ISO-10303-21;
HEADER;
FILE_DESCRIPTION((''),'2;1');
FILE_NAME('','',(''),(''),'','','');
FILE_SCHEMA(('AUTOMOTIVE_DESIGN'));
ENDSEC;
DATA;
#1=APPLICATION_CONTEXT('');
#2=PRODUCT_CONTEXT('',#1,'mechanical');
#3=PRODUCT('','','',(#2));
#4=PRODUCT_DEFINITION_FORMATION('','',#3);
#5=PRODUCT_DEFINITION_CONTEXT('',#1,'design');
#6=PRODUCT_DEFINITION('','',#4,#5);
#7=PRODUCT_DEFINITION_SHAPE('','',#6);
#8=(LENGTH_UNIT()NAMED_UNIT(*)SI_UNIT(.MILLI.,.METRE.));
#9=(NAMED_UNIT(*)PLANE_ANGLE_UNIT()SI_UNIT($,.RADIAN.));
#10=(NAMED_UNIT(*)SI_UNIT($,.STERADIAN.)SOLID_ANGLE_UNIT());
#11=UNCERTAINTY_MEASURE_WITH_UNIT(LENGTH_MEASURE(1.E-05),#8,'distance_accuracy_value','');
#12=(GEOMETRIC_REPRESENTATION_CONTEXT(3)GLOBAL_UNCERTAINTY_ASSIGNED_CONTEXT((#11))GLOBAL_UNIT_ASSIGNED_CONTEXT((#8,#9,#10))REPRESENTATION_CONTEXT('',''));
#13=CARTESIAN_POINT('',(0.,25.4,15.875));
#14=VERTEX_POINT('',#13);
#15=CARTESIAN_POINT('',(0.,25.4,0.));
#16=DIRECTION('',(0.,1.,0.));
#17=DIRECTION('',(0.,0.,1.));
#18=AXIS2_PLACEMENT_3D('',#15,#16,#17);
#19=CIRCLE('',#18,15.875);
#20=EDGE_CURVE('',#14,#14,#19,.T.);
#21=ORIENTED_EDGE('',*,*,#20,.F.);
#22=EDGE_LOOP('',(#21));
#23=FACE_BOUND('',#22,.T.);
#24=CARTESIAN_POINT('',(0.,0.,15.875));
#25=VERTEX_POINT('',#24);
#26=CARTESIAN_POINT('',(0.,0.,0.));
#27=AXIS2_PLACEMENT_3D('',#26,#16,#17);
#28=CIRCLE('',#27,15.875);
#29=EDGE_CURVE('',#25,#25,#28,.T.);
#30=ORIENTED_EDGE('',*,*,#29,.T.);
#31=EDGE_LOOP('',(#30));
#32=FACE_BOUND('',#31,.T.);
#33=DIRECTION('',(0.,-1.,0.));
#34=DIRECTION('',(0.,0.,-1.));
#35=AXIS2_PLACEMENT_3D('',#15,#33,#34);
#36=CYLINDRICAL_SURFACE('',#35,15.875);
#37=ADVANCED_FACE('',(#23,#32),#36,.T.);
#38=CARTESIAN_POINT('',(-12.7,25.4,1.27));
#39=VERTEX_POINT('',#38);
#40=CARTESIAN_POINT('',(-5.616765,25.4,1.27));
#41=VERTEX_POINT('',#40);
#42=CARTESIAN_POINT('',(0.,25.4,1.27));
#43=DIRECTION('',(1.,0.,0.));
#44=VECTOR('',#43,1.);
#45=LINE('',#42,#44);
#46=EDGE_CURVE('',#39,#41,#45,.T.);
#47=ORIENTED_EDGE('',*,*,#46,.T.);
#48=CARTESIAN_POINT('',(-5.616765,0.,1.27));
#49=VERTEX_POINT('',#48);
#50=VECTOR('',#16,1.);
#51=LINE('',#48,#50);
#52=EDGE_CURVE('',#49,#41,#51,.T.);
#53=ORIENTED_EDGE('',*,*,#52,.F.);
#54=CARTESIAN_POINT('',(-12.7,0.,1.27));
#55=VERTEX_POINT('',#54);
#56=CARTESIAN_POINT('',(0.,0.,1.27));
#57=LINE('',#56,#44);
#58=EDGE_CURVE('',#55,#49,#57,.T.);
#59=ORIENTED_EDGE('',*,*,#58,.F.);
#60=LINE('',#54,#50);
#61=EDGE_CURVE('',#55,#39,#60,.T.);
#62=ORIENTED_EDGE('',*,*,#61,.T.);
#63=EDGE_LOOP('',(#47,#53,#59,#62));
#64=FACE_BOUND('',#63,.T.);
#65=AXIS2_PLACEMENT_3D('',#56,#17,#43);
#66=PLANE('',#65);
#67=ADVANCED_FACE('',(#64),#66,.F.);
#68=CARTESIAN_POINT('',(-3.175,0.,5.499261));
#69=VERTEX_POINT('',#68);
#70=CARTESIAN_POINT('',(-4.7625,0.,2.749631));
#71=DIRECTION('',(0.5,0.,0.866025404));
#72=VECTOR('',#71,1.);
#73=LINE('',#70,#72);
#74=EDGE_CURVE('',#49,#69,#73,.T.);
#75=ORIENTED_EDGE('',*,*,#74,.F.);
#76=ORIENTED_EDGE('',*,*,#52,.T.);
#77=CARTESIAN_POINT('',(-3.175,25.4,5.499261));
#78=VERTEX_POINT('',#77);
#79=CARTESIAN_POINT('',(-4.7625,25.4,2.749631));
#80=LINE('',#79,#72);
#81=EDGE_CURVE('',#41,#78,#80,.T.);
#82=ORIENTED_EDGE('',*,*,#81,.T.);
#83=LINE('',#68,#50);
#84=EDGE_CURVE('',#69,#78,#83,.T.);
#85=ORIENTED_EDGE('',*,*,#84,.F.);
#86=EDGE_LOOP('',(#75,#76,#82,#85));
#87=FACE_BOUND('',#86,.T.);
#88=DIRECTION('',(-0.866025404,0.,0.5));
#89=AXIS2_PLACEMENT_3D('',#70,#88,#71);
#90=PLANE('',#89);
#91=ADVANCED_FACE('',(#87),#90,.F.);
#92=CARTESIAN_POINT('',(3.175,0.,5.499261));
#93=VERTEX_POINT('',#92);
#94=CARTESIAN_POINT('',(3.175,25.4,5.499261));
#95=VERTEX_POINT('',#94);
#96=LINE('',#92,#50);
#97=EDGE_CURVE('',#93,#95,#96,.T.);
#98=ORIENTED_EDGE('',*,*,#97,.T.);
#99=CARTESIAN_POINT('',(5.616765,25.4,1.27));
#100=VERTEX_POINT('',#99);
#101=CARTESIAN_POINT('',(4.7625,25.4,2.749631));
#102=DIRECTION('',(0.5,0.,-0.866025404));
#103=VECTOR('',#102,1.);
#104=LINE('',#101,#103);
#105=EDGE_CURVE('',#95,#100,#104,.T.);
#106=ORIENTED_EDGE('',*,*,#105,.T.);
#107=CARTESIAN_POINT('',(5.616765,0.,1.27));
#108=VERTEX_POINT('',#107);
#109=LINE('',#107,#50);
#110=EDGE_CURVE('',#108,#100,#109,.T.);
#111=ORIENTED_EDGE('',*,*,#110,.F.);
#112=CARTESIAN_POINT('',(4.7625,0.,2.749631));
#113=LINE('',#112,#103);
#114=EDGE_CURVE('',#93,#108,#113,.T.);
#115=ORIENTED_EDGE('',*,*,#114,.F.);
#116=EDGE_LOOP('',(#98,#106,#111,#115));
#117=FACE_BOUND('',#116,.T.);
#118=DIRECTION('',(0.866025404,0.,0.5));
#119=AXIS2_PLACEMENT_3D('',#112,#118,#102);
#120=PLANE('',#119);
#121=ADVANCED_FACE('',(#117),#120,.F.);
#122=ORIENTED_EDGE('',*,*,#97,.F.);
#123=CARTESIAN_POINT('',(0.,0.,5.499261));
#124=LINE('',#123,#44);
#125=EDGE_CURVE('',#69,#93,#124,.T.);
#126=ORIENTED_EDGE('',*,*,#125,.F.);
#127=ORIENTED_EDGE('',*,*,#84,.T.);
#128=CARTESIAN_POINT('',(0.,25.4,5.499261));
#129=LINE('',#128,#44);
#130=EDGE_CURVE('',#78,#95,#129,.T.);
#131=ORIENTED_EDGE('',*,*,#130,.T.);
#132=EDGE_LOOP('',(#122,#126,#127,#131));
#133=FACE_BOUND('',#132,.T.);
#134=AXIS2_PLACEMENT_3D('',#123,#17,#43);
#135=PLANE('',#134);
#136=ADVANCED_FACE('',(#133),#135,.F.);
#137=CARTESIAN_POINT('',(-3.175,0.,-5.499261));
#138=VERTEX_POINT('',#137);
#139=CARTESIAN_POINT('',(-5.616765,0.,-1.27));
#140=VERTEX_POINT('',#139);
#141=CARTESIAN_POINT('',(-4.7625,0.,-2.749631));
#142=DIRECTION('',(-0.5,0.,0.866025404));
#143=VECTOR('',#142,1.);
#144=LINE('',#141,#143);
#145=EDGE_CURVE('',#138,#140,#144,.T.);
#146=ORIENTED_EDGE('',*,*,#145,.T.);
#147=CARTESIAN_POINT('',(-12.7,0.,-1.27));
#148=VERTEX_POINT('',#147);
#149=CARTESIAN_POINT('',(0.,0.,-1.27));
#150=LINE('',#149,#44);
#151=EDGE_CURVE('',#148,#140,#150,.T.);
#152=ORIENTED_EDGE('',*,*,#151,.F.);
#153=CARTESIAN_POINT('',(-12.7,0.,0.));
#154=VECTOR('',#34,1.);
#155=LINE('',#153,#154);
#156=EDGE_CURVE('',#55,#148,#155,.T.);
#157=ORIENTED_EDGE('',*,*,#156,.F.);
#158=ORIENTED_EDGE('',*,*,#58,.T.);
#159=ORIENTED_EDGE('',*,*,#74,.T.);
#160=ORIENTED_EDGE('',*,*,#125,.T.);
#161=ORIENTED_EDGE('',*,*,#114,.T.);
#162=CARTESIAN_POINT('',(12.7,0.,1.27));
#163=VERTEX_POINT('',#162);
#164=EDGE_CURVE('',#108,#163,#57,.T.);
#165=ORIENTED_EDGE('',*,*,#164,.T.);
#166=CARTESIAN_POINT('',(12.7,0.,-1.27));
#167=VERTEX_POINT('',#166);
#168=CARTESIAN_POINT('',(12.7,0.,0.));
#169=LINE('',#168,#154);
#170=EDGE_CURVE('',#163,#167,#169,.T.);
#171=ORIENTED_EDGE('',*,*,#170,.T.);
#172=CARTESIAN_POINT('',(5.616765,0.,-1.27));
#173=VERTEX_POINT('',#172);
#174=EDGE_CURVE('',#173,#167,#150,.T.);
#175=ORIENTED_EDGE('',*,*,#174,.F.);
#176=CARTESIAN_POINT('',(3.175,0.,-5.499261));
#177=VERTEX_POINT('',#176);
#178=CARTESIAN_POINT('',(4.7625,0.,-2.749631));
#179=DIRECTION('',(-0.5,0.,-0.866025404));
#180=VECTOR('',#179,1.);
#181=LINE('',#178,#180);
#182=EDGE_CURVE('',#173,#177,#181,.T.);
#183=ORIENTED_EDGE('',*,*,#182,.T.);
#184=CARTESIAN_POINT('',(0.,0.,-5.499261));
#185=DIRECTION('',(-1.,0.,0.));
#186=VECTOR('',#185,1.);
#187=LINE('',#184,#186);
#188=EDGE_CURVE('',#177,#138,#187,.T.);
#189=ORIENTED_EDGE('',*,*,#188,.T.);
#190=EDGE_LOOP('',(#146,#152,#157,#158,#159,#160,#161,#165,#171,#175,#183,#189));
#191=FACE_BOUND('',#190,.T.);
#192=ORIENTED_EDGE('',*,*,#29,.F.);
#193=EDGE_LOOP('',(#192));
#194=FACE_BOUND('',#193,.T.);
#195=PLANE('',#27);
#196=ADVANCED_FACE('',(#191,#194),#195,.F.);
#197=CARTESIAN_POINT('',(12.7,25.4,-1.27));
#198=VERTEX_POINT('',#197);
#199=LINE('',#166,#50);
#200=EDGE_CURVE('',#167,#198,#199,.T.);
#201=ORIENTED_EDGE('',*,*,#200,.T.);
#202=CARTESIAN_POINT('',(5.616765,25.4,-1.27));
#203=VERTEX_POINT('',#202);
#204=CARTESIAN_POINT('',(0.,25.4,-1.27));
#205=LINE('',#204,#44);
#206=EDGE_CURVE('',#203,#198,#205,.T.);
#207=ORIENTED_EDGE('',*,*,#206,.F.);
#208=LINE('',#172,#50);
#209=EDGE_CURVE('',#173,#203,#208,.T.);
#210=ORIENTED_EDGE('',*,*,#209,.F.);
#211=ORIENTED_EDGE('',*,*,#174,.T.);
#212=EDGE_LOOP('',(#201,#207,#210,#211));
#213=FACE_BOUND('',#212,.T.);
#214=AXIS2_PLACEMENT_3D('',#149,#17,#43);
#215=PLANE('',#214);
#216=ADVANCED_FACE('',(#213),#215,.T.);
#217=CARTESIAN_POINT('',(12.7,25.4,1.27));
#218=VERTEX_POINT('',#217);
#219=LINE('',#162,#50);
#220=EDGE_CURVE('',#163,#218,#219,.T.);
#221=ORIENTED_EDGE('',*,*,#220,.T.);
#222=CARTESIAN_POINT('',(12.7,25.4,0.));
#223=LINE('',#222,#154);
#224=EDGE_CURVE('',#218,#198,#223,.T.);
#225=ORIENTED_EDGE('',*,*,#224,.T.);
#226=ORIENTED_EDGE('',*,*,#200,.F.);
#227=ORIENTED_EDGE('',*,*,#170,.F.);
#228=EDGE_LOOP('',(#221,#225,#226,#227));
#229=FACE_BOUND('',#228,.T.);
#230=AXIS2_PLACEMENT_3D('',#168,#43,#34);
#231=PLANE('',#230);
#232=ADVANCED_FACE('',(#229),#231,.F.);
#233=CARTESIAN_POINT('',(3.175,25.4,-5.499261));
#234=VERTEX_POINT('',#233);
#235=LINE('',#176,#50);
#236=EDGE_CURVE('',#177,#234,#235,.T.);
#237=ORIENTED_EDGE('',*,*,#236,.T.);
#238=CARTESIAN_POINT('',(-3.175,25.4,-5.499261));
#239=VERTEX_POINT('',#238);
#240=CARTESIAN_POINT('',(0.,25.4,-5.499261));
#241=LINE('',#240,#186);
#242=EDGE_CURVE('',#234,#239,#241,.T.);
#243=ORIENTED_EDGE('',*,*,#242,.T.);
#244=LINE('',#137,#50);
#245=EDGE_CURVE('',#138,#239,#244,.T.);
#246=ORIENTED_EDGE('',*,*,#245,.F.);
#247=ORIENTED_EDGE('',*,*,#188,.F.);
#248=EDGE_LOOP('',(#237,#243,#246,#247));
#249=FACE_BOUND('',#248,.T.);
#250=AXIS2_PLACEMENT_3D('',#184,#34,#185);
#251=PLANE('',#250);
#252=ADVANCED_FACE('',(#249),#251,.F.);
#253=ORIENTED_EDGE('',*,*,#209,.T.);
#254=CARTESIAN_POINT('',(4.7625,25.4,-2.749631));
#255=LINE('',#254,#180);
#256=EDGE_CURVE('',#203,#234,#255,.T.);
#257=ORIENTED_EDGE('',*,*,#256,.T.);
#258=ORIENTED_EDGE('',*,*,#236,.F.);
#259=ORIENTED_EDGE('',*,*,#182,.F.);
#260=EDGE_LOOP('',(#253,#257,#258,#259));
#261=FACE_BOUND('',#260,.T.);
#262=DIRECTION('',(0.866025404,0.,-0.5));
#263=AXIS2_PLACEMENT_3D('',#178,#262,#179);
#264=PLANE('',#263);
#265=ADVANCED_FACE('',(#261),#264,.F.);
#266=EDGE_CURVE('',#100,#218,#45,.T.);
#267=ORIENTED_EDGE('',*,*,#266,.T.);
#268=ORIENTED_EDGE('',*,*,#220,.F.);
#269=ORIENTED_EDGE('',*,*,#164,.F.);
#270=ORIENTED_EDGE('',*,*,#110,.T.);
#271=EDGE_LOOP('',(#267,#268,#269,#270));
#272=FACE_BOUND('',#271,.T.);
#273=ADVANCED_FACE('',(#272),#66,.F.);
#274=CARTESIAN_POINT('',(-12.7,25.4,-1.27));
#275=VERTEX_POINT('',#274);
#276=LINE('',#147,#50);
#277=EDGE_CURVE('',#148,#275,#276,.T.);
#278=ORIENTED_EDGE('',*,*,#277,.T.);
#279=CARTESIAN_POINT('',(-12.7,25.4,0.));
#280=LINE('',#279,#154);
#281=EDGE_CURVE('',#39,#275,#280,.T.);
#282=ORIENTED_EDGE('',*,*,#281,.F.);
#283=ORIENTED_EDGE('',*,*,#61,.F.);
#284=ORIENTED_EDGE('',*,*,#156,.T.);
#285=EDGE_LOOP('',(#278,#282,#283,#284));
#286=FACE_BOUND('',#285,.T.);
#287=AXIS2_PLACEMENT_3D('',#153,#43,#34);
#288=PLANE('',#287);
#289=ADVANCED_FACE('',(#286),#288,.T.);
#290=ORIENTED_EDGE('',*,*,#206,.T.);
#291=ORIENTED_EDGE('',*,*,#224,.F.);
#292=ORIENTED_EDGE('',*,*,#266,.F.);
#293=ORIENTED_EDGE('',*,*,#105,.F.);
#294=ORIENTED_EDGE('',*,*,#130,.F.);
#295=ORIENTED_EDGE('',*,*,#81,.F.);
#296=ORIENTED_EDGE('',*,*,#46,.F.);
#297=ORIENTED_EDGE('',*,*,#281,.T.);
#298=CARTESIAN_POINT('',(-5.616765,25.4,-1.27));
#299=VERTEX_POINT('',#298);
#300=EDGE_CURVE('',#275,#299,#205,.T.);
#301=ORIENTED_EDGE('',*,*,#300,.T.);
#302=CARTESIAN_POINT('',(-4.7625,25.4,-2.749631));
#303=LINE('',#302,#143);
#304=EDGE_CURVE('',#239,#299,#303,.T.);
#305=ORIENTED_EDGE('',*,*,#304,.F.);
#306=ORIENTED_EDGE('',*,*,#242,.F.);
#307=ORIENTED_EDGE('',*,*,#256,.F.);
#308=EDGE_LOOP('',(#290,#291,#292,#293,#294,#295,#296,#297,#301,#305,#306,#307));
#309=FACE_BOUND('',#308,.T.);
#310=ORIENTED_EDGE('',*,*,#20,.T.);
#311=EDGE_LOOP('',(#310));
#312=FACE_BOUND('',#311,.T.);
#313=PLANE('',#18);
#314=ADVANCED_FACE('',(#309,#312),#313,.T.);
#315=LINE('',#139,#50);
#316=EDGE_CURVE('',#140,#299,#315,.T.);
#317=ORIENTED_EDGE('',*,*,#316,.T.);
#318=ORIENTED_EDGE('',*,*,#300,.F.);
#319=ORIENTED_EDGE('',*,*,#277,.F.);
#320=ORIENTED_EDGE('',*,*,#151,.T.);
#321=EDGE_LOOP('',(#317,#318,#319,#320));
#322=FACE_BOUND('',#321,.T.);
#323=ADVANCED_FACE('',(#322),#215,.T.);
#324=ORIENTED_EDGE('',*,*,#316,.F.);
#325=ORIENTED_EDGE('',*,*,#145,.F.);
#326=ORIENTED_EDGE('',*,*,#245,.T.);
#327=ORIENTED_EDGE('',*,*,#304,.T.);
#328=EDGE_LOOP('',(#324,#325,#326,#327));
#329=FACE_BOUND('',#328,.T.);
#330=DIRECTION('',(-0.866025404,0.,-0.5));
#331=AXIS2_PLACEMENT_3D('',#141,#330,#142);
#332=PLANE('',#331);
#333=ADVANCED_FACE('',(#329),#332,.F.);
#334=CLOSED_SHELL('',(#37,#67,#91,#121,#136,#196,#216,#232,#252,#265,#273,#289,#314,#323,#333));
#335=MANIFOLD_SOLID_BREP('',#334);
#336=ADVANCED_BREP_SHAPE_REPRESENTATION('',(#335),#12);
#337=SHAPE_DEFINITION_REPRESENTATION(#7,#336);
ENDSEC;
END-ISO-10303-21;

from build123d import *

# Parameters (mm, degrees)
SKETCH1_R           = 15.875
BOSS_EXTRUDE1_DEPTH = 25.4
CUT_EXTRUDE1_DEPTH  = 26.4


with BuildPart() as part:
    # Sketch1 → Boss-Extrude1 (new body)
    with BuildSketch(Plane(origin=(0, 0, 0), x_dir=(1, 0, 0), z_dir=(0, 1, 0))):
        Circle(SKETCH1_R)
    extrude(amount=BOSS_EXTRUDE1_DEPTH)

    # Sketch2 → Cut-Extrude1 (cut, through all)
    with BuildSketch(Plane(origin=(0, 25.4, 0), x_dir=(1, 0, 0), z_dir=(0, 1, 0))):
        Polygon((-6.35, 0), (-5.616765158, 1.27), (-12.7, 1.27), (-12.7, -1.27), (-5.616765158, -1.27), align=None)
        Polygon((3.175, -5.499261314), (5.616765158, -1.27), (-5.616765158, -1.27), (-3.175, -5.499261314), align=None)
        Polygon((6.35, 0), (5.616765158, 1.27), (-5.616765158, 1.27), (-6.35, 0), (-5.616765158, -1.27), (5.616765158, -1.27), align=None)
        Polygon((5.616765158, 1.27), (3.175, 5.499261314), (-3.175, 5.499261314), (-5.616765158, 1.27), align=None)
        Polygon((12.7, 1.27), (5.616765158, 1.27), (6.35, 0), (5.616765158, -1.27), (12.7, -1.27), align=None)
    extrude(amount=-CUT_EXTRUDE1_DEPTH, mode=Mode.SUBTRACT)


solid = part.part
